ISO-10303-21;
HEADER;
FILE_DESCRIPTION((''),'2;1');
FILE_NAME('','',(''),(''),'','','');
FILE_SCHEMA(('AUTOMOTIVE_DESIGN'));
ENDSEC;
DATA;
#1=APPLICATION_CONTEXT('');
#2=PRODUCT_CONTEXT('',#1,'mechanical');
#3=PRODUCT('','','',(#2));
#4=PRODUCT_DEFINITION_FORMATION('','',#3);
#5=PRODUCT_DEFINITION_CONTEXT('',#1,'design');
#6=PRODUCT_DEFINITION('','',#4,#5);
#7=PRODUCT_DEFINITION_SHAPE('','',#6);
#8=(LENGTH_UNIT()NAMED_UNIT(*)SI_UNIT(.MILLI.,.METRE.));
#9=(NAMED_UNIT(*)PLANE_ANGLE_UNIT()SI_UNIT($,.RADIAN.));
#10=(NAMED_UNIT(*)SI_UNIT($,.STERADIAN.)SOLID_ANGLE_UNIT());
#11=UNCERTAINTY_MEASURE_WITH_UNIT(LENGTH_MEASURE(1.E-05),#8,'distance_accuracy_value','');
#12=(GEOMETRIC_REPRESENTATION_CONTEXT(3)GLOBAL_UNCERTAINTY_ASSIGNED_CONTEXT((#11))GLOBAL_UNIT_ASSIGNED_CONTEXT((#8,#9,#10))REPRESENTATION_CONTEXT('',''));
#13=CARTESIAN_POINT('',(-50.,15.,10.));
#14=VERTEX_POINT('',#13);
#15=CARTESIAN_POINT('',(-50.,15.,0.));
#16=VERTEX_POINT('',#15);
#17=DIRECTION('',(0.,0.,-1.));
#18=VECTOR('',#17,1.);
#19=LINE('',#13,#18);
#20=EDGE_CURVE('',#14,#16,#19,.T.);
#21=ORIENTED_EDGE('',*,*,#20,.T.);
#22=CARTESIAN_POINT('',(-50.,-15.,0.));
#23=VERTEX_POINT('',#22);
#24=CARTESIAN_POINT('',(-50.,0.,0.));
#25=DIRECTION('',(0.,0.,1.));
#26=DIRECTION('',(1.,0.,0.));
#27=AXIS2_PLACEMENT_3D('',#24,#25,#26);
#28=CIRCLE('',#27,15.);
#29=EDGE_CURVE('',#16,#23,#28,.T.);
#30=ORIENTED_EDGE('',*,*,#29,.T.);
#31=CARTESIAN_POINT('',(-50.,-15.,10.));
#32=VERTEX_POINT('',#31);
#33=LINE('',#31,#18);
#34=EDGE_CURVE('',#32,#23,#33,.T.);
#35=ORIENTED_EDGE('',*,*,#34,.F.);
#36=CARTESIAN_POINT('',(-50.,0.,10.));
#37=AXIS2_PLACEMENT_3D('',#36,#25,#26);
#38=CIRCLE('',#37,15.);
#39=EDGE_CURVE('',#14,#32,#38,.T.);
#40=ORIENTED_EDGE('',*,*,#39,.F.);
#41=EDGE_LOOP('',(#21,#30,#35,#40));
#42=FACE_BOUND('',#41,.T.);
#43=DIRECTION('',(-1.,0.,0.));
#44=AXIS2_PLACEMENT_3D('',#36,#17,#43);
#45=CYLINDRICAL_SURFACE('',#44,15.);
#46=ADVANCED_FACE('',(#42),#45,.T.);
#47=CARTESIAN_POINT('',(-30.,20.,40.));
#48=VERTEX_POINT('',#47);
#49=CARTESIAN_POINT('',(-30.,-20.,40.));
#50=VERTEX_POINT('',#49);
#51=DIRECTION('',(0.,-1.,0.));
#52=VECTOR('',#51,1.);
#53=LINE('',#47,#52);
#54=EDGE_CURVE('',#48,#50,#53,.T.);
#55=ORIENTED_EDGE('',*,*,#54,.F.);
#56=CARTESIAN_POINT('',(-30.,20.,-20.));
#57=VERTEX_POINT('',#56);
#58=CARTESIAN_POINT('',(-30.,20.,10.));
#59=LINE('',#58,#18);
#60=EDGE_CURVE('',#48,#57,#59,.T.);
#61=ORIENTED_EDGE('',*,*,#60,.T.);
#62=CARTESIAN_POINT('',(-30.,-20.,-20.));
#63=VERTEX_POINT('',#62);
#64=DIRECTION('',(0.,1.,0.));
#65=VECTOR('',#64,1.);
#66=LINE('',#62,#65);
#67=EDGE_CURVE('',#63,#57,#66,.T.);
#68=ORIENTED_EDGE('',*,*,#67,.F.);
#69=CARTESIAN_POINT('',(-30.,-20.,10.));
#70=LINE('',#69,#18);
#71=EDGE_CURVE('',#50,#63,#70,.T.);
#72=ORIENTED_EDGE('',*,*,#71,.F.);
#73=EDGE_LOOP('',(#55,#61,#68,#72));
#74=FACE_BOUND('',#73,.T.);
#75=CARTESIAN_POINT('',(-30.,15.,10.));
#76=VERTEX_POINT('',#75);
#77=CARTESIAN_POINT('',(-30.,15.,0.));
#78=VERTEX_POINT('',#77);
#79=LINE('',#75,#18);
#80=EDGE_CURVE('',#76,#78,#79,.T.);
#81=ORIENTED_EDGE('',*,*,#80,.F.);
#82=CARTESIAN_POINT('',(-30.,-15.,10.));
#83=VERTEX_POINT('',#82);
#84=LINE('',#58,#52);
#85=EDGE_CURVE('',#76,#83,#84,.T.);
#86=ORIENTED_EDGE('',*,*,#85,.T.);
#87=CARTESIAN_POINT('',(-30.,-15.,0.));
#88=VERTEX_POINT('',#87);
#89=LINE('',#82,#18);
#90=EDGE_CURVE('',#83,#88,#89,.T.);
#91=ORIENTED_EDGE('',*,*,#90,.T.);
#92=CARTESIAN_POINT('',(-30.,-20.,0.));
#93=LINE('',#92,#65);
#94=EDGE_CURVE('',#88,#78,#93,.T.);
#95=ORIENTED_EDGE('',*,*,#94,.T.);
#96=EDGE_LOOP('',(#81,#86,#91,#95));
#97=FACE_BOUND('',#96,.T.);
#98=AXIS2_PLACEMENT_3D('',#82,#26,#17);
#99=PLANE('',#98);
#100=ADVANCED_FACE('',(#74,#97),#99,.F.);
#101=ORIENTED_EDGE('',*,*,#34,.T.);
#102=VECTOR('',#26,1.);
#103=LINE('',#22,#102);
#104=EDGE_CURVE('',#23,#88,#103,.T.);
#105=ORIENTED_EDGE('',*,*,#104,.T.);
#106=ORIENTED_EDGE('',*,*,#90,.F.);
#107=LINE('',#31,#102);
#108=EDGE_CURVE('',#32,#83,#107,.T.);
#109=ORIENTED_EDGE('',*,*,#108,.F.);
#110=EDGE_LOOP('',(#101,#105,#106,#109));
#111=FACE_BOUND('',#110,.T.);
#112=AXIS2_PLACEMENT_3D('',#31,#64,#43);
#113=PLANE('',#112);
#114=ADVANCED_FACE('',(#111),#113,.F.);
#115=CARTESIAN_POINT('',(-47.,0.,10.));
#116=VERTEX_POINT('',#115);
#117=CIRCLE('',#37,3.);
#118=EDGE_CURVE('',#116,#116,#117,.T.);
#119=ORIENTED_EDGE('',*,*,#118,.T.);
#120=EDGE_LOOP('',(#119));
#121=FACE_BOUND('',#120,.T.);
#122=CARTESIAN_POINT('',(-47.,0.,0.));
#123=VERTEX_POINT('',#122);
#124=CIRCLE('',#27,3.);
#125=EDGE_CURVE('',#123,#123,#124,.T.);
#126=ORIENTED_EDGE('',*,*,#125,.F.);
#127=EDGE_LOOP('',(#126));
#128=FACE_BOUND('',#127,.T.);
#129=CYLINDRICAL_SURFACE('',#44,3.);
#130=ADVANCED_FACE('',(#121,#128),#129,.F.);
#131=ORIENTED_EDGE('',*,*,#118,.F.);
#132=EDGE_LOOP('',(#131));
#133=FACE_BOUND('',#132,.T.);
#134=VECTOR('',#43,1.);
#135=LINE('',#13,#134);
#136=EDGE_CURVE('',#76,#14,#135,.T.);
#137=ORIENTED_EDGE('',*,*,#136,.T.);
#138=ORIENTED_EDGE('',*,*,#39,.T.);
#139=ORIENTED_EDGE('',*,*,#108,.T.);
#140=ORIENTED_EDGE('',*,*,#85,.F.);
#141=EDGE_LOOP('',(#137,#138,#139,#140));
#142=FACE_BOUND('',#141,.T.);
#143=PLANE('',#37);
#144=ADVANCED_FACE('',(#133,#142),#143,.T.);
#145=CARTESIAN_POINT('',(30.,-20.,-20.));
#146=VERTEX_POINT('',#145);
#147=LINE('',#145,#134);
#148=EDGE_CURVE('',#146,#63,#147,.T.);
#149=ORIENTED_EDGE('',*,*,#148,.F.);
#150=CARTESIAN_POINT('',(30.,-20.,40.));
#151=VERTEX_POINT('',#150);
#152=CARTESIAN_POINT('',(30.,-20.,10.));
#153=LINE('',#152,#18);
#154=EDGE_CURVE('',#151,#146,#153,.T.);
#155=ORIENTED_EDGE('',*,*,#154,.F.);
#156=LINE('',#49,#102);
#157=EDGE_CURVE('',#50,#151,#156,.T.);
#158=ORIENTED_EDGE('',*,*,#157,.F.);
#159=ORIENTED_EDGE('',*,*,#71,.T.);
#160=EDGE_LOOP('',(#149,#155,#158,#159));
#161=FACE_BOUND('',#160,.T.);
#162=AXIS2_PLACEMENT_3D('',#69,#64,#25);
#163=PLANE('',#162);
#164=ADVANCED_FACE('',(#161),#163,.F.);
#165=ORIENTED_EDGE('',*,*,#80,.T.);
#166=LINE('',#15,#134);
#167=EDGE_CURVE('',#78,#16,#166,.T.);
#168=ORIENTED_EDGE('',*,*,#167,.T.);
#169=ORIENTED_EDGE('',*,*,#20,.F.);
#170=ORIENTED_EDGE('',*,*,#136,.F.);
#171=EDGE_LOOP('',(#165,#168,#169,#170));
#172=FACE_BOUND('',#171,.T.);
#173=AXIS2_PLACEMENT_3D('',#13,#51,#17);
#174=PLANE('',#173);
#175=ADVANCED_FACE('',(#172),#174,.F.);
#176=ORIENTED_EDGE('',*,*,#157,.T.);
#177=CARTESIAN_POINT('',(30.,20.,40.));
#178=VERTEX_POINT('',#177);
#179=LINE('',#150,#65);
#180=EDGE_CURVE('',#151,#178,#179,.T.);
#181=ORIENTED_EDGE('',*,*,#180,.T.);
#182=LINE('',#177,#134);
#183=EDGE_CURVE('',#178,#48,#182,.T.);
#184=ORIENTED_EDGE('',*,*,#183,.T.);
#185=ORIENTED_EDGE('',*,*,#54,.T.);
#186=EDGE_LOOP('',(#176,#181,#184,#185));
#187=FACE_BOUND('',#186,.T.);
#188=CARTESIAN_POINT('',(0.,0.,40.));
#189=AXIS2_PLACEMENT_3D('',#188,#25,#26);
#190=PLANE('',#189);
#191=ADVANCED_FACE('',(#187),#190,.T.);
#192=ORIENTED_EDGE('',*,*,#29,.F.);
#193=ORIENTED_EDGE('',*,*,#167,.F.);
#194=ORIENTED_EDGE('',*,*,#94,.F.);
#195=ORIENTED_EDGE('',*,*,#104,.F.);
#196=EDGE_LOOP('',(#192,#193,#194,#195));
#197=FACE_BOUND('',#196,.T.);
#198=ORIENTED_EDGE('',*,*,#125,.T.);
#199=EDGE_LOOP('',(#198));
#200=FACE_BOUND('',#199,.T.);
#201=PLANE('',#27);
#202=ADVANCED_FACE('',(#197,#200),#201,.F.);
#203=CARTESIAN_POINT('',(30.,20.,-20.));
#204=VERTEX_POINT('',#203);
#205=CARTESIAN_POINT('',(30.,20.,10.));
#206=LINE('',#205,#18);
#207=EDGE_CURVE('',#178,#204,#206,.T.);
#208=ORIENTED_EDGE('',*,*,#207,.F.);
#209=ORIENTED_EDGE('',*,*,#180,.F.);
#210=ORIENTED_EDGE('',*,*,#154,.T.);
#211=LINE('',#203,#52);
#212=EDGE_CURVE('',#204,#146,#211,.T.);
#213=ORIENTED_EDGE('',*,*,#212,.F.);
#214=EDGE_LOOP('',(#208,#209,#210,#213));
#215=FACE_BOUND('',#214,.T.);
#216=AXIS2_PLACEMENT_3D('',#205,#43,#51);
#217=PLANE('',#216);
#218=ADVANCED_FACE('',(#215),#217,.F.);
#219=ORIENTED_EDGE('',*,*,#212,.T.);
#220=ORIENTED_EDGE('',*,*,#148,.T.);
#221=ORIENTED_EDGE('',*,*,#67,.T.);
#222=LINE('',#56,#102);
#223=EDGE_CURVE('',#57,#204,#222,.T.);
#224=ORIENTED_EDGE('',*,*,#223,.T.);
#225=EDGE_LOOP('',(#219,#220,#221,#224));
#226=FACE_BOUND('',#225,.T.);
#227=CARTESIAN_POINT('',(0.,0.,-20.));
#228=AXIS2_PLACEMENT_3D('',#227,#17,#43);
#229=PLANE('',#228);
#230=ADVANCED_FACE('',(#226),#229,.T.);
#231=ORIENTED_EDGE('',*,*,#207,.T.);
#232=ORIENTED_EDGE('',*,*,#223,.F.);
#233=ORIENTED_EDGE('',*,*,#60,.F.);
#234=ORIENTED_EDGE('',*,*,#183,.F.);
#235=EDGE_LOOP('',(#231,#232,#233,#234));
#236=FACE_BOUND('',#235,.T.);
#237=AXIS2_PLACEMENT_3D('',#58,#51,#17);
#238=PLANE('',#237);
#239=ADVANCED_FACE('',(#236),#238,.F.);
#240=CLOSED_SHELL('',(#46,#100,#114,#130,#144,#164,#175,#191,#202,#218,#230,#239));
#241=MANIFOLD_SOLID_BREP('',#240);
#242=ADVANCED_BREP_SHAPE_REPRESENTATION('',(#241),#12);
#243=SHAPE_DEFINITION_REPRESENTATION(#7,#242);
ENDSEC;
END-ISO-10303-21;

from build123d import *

# Parameters (mm, degrees)
SKETCH1_R           = 3
BOSS_EXTRUDE1_DEPTH = 10
SKETCH2_W           = 60
SKETCH2_H           = 40
BOSS_EXTRUDE2_DEPTH = 30
SKETCH3_W           = 60
SKETCH3_H           = 40
BOSS_EXTRUDE3_DEPTH = 20


with BuildPart() as part:
    # Sketch1 → Boss-Extrude1 (new body)
    with BuildSketch(Plane.XY):
        with BuildLine():
            Line((-30, -15), (-30, -20))
            Line((-30, -20), (30, -20))
            Line((30, -20), (30, 20))
            Line((30, 20), (-30, 20))
            Line((-30, 20), (-30, 15))
            Line((-30, 15), (-50, 15))
            ThreePointArc((-50, 15), (-65, 0), (-50, -15))
            Line((-50, -15), (-30, -15))
        make_face()
        with Locations((-50, 0)):
            Circle(SKETCH1_R, mode=Mode.SUBTRACT)
    extrude(amount=BOSS_EXTRUDE1_DEPTH)

    # Sketch2 → Boss-Extrude2 (add)
    with BuildSketch(Plane.XY.offset(10)):
        Rectangle(SKETCH2_W, SKETCH2_H)
    extrude(amount=BOSS_EXTRUDE2_DEPTH)

    # Sketch3 → Boss-Extrude3 (add)
    with BuildSketch(Plane(origin=(0, 0, 0), x_dir=(-1, 0, 0), z_dir=(0, 0, -1))):
        Rectangle(SKETCH3_W, SKETCH3_H)
    extrude(amount=BOSS_EXTRUDE3_DEPTH)


solid = part.part
